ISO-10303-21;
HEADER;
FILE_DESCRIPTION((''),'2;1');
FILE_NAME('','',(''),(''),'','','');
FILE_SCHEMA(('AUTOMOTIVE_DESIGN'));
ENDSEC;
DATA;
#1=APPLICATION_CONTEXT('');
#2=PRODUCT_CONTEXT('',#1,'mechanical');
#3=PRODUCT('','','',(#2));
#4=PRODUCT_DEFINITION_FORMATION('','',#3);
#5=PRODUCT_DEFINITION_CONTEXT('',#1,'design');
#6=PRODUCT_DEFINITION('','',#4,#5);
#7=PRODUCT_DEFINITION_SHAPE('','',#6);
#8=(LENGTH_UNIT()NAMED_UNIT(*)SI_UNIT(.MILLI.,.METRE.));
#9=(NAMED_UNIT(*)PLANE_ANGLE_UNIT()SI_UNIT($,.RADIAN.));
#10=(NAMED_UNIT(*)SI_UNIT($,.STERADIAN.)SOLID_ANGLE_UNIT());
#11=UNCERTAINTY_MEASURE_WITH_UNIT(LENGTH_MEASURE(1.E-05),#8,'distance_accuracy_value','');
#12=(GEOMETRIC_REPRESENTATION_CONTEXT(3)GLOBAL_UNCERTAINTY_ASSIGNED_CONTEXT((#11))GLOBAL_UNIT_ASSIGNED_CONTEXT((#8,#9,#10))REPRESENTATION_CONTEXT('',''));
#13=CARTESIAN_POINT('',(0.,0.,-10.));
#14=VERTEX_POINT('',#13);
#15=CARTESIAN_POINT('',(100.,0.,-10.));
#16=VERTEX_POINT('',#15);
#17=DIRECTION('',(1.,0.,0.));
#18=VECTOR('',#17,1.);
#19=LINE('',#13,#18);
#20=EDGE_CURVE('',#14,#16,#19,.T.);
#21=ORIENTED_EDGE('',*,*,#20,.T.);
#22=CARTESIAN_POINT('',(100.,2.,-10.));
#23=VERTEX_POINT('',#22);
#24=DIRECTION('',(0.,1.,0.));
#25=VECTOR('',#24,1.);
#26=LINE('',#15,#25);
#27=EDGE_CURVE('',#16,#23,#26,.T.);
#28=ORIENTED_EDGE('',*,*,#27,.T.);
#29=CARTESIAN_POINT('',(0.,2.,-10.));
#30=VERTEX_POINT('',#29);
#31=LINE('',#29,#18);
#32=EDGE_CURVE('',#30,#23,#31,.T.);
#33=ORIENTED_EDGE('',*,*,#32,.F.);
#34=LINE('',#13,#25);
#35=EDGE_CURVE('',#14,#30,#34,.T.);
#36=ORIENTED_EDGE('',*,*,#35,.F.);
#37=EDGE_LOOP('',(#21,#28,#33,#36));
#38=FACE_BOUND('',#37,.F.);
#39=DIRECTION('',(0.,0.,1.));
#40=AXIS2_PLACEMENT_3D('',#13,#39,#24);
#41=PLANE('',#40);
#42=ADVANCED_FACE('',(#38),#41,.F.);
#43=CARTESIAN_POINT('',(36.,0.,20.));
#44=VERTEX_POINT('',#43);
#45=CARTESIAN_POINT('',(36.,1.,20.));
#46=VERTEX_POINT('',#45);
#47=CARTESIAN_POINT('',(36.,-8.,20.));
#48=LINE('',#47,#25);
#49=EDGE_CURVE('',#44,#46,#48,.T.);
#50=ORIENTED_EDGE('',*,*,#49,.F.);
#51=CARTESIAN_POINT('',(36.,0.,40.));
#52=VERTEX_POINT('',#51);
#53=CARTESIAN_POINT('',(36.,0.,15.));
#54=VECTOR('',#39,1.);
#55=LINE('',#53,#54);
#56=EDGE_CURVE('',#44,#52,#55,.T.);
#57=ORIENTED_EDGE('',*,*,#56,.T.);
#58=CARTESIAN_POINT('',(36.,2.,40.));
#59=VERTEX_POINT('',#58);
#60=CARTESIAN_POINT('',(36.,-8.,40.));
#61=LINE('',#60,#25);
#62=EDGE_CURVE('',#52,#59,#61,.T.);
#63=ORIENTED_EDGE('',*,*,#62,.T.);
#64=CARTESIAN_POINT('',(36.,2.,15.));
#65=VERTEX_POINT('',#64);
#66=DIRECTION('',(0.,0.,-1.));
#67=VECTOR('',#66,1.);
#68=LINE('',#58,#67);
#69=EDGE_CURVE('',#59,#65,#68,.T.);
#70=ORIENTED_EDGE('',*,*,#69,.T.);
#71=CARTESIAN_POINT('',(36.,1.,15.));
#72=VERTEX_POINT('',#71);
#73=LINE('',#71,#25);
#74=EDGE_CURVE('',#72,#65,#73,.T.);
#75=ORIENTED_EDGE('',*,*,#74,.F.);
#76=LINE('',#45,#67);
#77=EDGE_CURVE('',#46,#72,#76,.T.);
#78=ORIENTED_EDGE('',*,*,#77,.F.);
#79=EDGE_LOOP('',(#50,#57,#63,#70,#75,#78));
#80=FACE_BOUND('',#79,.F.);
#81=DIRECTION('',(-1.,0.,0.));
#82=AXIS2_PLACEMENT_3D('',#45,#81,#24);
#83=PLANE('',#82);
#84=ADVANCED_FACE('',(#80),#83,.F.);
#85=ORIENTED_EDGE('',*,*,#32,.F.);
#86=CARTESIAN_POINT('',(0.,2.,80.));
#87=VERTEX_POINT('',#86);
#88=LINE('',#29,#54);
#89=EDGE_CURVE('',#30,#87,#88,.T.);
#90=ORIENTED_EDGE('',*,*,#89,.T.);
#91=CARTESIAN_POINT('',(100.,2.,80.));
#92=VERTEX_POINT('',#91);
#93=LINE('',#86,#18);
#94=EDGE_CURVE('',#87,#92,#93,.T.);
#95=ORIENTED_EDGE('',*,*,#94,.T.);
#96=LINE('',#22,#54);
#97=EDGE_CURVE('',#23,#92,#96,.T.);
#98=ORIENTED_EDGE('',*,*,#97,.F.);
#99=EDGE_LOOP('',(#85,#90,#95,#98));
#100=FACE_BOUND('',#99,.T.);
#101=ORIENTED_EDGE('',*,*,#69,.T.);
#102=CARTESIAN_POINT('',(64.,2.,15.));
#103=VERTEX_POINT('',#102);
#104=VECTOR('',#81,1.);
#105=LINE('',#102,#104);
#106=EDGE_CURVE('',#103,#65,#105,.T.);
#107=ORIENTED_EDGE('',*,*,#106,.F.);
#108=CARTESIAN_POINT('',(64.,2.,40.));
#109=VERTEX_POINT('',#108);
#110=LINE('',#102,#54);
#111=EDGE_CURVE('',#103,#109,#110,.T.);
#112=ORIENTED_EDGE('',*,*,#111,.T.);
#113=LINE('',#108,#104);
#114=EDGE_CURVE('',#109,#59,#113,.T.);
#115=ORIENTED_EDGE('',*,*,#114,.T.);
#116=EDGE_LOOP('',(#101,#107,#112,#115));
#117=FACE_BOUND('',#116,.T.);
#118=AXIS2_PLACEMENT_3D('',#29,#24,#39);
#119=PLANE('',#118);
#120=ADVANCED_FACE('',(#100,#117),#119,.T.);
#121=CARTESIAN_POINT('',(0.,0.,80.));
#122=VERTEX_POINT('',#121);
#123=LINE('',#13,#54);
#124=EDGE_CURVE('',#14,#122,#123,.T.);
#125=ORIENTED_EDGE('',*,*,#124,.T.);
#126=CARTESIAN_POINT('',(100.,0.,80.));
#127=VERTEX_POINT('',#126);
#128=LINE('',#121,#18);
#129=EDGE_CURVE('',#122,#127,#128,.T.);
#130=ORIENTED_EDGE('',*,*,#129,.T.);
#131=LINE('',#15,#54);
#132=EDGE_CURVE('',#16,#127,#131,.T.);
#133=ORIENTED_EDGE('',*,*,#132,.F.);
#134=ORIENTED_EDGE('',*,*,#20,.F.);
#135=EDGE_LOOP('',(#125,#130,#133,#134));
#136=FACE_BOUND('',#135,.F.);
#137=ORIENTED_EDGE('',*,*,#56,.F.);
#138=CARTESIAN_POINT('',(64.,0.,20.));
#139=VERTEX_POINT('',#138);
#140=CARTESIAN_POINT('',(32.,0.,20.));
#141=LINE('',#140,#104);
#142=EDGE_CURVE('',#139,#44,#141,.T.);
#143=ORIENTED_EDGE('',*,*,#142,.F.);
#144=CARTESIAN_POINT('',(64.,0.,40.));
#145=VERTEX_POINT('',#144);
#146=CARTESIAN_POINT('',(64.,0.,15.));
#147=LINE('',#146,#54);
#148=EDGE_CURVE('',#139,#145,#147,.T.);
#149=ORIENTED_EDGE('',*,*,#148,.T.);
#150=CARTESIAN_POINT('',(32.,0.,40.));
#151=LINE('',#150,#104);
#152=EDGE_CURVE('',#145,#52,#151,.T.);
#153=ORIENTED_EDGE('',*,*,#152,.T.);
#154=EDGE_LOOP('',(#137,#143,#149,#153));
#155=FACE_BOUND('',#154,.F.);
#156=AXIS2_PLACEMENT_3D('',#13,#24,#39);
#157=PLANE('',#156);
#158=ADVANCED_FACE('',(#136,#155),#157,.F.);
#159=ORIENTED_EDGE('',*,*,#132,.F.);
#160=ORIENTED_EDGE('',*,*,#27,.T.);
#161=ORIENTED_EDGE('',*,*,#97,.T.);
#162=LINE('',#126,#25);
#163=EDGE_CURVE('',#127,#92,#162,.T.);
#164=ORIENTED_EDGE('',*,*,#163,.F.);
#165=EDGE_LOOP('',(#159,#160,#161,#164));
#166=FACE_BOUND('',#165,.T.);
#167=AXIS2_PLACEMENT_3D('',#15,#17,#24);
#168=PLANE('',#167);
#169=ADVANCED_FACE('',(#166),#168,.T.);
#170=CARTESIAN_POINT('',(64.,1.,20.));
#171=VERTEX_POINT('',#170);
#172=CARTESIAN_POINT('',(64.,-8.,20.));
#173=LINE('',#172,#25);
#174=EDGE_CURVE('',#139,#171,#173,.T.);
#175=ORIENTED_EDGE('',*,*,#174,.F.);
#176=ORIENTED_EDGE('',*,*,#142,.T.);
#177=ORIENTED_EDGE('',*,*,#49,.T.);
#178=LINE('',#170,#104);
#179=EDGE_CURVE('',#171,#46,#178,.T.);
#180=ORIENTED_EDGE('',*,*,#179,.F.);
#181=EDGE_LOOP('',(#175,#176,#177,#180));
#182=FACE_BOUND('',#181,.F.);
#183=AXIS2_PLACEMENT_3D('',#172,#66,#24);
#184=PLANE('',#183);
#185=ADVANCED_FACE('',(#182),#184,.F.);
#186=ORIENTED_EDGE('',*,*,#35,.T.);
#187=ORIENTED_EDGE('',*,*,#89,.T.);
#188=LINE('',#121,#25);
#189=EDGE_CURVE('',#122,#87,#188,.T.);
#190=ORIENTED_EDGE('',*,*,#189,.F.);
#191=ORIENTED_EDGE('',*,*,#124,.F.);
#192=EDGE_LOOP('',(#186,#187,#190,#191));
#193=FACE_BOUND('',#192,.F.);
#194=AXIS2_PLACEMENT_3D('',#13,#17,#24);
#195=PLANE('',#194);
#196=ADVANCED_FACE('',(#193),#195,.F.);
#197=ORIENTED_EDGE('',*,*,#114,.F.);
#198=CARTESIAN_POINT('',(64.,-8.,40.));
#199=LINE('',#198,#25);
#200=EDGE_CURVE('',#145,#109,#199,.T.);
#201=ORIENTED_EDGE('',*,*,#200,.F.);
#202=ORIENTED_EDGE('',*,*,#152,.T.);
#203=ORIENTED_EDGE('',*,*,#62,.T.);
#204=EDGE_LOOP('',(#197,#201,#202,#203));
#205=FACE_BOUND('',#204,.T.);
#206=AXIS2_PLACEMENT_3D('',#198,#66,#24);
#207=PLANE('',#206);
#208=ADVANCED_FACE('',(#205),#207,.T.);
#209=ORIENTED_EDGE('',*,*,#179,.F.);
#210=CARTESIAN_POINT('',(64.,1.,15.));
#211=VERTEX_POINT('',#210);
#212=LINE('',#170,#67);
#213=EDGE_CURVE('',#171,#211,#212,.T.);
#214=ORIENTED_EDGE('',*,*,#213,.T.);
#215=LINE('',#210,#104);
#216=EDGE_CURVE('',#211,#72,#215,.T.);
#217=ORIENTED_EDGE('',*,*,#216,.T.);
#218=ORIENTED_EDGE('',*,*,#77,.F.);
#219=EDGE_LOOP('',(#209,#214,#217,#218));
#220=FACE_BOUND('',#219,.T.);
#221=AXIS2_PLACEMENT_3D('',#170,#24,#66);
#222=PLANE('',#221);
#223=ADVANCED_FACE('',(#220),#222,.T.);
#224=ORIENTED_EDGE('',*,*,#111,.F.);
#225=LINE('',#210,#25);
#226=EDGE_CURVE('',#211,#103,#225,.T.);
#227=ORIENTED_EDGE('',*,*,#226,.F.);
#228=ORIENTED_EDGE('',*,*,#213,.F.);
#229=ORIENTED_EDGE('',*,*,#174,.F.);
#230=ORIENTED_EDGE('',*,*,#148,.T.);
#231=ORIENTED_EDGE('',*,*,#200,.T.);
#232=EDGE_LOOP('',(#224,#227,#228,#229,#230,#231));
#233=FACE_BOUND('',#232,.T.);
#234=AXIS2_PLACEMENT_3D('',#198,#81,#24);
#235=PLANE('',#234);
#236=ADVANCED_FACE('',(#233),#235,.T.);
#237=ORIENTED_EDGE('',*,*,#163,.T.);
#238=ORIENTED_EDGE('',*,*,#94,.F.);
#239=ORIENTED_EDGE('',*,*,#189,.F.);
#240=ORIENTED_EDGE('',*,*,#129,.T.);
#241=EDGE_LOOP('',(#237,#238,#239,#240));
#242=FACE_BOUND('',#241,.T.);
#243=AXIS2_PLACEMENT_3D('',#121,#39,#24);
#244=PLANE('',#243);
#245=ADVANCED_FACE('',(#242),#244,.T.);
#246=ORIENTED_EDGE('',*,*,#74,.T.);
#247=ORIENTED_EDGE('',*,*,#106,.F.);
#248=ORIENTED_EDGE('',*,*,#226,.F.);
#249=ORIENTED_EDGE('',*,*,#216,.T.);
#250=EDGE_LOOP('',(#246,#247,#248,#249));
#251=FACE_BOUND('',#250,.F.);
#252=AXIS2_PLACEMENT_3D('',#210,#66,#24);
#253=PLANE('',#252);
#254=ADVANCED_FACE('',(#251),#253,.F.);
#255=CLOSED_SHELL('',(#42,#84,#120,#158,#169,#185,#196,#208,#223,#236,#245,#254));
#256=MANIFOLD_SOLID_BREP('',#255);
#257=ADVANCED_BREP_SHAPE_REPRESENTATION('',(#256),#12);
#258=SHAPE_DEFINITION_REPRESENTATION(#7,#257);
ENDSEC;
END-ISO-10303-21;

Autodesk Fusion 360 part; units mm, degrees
box "BoxPrimitive1" add length 90 width 100 height 2 placed x (0, 0, 1) y (1, 0, 0) z (0, 1, 0) at (0, 0, -10)
box "BoxPrimitive2" cut length 20 width 28 height -10 placed x (0, 0, -1) y (-1, 0, 0) z (0, 1, 0) at (64, 2, 40)
box "BoxPrimitive3" cut length 5 width 28 height -1 placed x (0, 0, -1) y (-1, 0, 0) z (0, 1, 0) at (64, 2, 20)
